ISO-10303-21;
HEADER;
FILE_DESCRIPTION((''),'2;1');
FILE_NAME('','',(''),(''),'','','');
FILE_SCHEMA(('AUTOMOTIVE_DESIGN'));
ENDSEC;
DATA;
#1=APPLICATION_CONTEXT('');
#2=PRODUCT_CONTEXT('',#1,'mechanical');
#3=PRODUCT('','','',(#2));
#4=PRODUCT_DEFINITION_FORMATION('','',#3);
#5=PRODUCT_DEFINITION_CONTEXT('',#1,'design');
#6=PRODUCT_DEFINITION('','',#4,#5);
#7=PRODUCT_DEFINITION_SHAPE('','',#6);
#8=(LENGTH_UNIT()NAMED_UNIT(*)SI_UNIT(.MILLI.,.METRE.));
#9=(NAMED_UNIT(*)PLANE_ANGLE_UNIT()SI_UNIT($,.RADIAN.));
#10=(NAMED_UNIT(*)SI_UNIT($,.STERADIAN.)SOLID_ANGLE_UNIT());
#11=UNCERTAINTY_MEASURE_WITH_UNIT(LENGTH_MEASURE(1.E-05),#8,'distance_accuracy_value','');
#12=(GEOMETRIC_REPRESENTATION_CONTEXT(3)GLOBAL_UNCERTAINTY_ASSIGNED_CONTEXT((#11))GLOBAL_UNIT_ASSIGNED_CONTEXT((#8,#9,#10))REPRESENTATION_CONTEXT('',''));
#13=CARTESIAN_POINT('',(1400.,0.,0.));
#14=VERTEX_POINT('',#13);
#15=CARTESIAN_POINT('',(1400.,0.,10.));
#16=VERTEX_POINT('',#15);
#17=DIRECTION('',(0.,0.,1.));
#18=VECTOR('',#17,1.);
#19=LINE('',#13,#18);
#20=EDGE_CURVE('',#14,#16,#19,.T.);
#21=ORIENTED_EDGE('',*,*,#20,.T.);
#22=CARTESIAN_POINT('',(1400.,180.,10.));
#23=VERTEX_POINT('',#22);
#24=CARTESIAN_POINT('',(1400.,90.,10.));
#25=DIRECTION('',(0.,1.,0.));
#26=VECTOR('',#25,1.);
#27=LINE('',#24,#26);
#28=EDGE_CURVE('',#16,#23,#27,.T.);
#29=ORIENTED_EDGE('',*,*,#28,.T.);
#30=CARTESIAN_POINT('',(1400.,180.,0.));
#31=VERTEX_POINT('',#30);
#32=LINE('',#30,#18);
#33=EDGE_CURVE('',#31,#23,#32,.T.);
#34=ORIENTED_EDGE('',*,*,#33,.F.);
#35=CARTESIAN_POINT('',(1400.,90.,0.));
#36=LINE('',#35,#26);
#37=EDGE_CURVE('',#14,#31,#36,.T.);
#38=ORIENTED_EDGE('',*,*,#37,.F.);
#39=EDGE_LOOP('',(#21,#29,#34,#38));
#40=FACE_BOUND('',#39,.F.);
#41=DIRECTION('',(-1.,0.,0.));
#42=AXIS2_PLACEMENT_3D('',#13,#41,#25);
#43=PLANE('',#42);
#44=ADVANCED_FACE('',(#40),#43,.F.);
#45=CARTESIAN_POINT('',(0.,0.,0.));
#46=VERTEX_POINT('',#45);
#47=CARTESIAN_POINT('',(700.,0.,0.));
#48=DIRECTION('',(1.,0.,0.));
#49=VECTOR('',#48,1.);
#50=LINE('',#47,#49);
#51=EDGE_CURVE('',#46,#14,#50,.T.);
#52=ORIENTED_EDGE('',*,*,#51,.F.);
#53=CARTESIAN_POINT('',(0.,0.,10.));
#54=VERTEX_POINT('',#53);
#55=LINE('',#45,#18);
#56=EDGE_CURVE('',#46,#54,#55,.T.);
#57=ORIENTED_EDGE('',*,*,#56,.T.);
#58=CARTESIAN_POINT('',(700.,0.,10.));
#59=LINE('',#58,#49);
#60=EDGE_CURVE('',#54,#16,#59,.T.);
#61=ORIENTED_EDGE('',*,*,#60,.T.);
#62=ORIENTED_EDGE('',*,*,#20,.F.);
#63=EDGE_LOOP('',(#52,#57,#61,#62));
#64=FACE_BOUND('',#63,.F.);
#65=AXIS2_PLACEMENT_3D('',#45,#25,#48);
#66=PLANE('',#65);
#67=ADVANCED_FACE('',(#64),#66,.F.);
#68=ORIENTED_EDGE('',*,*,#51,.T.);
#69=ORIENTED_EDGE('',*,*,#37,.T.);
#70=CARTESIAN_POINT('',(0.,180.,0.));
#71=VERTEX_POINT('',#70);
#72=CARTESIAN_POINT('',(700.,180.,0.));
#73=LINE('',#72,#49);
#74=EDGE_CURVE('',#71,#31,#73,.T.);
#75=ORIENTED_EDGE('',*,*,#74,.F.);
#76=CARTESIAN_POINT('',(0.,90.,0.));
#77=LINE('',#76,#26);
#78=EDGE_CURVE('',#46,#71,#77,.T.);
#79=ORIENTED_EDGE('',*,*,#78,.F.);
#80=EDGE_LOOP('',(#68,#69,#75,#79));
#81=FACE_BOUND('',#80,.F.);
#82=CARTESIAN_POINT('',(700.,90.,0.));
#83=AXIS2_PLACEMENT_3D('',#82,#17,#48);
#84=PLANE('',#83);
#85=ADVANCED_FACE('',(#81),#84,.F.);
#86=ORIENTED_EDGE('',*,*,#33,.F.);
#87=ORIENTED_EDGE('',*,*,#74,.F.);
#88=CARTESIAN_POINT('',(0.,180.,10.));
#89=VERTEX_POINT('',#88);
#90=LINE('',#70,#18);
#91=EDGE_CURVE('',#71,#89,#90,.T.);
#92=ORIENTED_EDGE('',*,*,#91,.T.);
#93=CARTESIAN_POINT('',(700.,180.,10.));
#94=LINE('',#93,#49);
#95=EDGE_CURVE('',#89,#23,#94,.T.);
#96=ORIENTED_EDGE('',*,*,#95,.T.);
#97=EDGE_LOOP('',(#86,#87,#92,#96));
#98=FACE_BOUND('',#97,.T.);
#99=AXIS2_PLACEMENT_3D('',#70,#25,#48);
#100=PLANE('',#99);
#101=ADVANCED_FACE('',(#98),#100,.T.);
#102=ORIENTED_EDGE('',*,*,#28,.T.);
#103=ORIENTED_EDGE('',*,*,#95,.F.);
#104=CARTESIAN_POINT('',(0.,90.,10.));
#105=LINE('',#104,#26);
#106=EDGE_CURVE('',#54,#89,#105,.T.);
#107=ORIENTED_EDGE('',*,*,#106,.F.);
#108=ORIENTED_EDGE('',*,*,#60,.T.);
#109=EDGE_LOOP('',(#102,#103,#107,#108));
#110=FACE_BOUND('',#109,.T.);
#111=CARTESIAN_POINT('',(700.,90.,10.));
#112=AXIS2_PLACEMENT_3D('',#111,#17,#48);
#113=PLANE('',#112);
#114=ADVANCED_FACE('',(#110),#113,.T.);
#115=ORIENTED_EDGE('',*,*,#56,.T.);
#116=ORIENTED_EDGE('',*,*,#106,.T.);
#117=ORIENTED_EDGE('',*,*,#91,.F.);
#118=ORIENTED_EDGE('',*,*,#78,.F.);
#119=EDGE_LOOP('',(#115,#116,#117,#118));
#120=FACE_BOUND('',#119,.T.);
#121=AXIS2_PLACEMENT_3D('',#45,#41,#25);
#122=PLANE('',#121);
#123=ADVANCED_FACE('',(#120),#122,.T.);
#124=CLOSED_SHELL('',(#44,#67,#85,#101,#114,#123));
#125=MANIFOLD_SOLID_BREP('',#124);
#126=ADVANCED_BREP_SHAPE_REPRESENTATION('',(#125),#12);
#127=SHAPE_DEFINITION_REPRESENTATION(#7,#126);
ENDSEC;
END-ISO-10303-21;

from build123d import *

# Parameters (mm, degrees)
SKETCH_W  = 1400
SKETCH_H  = 180
PAD_DEPTH = 10


with BuildPart() as part:
    # Sketch → Pad (new body)
    with BuildSketch(Plane.XY):
        with Locations((700, 90)):
            Rectangle(SKETCH_W, SKETCH_H)
    extrude(amount=PAD_DEPTH)


solid = part.part
